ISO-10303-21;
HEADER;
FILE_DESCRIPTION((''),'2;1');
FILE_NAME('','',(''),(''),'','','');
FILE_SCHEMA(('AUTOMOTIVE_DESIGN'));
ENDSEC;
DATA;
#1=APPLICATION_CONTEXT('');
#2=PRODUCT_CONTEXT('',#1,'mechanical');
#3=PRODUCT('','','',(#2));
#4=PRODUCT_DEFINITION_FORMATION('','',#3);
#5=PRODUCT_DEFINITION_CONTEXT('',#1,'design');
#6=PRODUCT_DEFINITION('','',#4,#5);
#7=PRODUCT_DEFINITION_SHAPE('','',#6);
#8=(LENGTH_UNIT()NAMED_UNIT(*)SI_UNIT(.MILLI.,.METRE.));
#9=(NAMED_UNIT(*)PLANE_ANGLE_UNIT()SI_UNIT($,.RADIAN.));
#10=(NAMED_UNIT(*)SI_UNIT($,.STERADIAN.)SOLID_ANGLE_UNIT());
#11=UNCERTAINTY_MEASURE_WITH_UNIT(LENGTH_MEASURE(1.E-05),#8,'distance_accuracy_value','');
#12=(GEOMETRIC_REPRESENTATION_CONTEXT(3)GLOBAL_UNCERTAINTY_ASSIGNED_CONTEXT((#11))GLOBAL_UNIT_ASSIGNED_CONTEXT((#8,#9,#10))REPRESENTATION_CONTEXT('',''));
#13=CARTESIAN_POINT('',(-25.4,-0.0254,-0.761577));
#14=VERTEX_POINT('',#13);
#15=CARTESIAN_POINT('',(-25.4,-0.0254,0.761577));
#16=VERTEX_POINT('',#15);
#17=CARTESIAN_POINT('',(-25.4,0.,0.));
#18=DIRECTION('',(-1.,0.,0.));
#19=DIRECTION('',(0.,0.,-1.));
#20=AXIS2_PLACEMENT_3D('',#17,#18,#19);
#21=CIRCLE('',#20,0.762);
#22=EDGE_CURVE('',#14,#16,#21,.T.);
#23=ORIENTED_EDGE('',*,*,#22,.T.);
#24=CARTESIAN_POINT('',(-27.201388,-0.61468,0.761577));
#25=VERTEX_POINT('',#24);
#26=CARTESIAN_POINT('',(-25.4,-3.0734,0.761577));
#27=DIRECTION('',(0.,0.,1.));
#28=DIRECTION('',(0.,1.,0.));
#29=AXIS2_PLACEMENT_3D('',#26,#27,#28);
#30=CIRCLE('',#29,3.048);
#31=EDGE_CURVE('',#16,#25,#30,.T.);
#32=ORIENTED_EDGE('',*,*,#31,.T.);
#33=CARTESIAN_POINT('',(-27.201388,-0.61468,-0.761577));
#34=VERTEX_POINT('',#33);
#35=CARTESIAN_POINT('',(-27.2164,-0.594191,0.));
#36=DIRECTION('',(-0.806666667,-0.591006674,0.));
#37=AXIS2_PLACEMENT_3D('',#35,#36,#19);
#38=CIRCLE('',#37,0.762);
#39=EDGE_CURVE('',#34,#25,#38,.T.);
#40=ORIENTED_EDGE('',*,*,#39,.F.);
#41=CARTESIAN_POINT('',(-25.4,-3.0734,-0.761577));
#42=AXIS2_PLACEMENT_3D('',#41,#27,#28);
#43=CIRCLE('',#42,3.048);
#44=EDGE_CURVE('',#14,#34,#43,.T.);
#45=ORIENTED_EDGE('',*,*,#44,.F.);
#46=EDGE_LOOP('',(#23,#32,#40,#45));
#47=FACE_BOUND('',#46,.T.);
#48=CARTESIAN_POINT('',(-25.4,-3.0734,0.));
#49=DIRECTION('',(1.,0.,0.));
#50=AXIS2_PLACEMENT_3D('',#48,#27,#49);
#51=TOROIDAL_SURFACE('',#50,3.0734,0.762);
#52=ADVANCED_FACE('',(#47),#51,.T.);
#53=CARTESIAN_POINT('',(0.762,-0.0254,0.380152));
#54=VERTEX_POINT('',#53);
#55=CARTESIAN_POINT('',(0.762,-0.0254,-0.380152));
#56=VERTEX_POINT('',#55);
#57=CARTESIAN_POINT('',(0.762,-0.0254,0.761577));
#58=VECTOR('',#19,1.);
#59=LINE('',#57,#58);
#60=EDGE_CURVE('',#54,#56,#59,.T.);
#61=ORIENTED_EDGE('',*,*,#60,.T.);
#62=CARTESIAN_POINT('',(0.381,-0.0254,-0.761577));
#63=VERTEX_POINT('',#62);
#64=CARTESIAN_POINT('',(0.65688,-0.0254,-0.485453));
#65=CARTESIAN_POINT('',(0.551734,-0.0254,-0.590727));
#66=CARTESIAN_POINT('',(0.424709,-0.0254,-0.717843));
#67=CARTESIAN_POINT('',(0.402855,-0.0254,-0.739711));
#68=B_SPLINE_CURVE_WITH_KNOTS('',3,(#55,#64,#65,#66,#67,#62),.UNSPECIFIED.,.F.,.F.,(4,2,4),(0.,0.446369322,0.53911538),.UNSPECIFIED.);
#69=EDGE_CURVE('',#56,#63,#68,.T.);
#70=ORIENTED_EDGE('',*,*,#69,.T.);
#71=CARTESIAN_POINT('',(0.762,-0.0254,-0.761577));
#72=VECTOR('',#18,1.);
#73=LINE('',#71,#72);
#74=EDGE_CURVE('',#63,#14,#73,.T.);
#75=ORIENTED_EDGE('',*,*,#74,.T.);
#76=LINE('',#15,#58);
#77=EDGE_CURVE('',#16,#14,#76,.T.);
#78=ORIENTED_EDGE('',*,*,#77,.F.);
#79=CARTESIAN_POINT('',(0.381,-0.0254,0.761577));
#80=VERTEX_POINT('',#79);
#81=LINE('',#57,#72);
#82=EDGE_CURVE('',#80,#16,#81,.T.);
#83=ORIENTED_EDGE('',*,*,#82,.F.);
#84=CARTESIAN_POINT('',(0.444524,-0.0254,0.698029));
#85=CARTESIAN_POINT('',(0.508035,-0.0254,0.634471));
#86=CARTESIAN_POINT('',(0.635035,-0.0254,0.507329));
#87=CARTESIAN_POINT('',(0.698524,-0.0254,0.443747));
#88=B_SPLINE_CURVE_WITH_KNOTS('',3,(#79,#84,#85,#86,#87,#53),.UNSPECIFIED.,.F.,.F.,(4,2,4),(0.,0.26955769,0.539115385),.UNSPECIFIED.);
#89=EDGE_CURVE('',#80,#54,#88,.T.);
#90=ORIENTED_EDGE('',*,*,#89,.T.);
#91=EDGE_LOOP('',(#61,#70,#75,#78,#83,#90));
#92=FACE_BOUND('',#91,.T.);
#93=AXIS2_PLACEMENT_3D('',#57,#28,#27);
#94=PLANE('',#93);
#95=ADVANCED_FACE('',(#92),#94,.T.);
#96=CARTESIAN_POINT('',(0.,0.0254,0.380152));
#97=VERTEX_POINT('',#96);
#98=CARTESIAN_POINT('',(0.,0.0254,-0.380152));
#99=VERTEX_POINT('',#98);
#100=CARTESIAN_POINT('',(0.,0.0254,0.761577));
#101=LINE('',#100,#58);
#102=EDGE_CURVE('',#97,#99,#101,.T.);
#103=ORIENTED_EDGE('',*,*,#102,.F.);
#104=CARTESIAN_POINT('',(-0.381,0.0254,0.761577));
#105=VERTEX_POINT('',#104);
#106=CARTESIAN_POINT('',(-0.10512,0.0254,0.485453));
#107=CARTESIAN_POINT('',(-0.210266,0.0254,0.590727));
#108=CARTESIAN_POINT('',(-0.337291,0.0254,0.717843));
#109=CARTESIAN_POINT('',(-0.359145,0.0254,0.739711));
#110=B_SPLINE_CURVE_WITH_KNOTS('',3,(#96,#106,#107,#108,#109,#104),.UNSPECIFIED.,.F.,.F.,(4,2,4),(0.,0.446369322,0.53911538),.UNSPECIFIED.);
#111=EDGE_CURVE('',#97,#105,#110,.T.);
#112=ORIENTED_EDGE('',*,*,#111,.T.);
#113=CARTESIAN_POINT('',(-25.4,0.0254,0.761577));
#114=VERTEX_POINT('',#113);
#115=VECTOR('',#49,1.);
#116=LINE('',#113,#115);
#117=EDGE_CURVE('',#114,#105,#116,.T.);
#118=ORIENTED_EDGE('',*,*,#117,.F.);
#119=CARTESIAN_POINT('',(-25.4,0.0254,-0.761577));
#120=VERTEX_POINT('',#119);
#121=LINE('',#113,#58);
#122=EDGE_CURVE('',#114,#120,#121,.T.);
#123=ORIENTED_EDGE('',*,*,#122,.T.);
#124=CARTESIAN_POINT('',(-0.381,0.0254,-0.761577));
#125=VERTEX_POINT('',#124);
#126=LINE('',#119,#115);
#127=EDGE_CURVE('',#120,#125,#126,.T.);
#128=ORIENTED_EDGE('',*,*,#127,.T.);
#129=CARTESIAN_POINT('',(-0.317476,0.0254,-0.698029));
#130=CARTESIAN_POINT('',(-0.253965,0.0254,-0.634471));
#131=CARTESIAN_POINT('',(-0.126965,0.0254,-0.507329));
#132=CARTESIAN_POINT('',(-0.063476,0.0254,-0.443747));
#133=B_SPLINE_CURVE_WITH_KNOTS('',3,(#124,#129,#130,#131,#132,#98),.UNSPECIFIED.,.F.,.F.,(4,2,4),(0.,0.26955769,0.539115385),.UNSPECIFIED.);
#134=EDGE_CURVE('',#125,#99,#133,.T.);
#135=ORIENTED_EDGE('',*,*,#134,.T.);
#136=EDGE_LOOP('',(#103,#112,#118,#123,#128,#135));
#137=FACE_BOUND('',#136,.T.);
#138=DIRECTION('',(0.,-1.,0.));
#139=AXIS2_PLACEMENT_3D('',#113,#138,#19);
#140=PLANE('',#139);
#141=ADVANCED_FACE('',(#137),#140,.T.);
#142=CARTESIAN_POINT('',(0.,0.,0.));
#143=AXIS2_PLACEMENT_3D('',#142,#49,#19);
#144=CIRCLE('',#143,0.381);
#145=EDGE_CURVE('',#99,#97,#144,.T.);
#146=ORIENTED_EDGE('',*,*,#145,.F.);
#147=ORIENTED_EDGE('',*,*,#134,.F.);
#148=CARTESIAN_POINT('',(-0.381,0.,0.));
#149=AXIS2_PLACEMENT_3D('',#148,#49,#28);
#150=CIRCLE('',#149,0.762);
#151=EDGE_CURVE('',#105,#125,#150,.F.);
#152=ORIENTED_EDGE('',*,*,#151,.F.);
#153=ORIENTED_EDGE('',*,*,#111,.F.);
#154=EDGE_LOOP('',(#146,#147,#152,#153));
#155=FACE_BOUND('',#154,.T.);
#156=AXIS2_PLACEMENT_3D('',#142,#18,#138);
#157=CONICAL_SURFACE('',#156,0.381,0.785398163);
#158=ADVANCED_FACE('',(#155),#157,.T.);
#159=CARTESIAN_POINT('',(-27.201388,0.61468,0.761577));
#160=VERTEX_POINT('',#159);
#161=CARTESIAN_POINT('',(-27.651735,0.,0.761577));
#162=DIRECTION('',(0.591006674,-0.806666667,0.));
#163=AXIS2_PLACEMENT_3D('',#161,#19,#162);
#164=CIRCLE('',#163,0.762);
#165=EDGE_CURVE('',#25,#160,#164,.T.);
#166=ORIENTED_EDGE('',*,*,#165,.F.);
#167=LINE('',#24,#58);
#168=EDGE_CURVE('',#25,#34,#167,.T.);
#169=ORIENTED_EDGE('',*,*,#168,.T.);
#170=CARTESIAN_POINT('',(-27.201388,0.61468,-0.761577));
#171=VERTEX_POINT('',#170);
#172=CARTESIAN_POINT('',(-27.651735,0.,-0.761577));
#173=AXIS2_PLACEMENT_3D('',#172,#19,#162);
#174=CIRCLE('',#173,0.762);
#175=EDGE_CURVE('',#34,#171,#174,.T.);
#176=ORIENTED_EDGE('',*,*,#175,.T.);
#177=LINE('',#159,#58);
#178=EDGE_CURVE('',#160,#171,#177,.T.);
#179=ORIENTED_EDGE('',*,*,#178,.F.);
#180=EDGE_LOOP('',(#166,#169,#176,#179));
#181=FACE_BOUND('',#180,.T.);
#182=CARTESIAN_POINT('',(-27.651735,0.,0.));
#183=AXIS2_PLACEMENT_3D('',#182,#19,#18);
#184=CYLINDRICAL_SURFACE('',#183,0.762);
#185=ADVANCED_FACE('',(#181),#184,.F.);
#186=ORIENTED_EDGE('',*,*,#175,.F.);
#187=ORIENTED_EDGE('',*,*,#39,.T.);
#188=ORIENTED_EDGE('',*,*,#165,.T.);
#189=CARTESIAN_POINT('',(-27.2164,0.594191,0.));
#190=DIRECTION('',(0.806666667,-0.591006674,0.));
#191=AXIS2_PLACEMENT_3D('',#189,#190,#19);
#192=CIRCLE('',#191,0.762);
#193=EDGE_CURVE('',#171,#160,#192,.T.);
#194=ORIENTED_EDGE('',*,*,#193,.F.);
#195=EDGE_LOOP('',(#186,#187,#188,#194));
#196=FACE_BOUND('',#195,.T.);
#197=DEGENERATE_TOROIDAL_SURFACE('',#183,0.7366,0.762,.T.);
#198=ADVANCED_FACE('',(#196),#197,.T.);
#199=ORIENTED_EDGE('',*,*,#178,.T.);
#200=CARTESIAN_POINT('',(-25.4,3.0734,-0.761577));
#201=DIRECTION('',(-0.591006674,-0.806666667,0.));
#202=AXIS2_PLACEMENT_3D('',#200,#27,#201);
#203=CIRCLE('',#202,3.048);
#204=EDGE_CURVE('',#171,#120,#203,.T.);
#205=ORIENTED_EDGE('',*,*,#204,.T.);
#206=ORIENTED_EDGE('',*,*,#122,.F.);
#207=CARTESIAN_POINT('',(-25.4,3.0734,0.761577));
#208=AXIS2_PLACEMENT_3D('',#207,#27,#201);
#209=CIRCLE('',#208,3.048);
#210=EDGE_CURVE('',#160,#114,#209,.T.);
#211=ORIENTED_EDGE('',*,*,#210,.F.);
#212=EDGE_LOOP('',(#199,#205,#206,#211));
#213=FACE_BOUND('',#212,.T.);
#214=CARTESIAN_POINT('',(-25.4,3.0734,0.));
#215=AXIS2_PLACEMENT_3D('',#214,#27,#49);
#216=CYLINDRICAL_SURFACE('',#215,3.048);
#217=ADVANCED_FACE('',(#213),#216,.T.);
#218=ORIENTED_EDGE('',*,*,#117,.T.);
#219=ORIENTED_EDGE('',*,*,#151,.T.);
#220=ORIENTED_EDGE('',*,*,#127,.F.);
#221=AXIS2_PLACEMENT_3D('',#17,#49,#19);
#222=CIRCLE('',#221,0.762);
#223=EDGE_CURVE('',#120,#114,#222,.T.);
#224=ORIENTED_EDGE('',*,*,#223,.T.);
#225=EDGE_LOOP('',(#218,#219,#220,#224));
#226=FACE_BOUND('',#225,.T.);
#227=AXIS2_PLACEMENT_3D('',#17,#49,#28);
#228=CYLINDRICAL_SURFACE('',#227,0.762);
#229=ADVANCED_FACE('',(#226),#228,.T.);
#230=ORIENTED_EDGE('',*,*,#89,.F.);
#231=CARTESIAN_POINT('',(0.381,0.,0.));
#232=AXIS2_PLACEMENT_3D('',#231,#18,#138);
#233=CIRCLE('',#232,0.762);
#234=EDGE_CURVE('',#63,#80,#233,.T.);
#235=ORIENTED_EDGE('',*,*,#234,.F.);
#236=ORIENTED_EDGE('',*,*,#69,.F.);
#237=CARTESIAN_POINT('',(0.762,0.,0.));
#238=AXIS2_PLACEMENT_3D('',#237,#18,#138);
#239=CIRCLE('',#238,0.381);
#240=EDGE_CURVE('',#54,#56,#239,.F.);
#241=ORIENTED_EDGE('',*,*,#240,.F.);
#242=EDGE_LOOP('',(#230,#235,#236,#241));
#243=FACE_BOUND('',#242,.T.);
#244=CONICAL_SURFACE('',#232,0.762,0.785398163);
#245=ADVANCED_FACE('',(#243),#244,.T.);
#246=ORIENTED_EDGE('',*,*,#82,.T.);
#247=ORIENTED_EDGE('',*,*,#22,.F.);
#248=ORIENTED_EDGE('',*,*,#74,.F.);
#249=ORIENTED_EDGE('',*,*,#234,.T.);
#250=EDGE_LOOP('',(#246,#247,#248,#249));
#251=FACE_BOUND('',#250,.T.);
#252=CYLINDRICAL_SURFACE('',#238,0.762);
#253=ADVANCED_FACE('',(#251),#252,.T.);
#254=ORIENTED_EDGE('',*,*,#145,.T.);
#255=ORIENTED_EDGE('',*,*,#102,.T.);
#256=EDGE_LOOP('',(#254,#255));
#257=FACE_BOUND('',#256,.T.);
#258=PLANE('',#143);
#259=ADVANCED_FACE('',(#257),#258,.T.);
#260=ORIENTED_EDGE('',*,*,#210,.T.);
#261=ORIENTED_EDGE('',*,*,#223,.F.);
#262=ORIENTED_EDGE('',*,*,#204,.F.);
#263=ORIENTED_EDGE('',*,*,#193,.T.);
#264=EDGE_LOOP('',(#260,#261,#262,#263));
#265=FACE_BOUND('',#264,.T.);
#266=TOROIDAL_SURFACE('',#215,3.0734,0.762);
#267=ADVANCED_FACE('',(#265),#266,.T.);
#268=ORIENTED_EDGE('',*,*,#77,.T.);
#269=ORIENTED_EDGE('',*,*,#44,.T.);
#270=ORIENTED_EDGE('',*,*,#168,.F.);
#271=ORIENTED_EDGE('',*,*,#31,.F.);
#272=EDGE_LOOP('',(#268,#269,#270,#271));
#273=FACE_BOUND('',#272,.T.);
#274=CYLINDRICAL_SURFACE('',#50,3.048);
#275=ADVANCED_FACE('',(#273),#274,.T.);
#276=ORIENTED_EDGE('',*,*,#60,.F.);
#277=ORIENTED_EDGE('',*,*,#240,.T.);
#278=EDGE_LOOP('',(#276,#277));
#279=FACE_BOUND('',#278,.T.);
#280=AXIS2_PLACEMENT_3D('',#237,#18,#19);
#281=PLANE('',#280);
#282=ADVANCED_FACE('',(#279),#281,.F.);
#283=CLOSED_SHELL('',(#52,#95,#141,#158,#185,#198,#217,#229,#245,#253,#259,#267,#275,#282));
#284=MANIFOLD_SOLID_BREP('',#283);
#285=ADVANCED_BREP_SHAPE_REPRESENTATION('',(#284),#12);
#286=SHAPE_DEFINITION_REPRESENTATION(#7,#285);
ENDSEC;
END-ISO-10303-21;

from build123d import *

# Parameters (mm, degrees)
CHAMFER1_SIZE = 0.381


with BuildPart() as part:
    # Sweep1: sweep along a path in Sketch3
    with BuildLine(Plane.XY) as sweep1_path:
        Line((0.762, -0.0254), (-25.4, -0.0254))
        ThreePointArc((-25.4, -0.0254), (-26.347661712, -0.176463466), (-27.201388343, -0.61468))
        ThreePointArc((-27.201388343, -0.61468), (-28.413735429, 0), (-27.201388343, 0.61468))
        ThreePointArc((-27.201388343, 0.61468), (-26.347661712, 0.176463466), (-25.4, 0.0254))
        Line((-25.4, 0.0254), (0, 0.0254))
    # Sketch4 → Sweep1 (sweep)
    with BuildSketch(Plane(origin=(0, 0, 0), x_dir=(0, 0, -1), z_dir=(1, 0, 0))):
        with BuildLine():
            Line((-0.761576549, 0.0254), (0.761576549, 0.0254))
            ThreePointArc((0.761576549, 0.0254), (0, 0.762), (-0.761576549, 0.0254))
        make_face()
    sweep(path=sweep1_path.line)

    # Chamfer1
    chamfer1_edges = [part.edges().sort_by_distance(p)[0] for p in [
        (0, 0.762, 0),
        (0.762, -0.762, 0),
    ]]
    chamfer(chamfer1_edges, length=CHAMFER1_SIZE)


solid = part.part
